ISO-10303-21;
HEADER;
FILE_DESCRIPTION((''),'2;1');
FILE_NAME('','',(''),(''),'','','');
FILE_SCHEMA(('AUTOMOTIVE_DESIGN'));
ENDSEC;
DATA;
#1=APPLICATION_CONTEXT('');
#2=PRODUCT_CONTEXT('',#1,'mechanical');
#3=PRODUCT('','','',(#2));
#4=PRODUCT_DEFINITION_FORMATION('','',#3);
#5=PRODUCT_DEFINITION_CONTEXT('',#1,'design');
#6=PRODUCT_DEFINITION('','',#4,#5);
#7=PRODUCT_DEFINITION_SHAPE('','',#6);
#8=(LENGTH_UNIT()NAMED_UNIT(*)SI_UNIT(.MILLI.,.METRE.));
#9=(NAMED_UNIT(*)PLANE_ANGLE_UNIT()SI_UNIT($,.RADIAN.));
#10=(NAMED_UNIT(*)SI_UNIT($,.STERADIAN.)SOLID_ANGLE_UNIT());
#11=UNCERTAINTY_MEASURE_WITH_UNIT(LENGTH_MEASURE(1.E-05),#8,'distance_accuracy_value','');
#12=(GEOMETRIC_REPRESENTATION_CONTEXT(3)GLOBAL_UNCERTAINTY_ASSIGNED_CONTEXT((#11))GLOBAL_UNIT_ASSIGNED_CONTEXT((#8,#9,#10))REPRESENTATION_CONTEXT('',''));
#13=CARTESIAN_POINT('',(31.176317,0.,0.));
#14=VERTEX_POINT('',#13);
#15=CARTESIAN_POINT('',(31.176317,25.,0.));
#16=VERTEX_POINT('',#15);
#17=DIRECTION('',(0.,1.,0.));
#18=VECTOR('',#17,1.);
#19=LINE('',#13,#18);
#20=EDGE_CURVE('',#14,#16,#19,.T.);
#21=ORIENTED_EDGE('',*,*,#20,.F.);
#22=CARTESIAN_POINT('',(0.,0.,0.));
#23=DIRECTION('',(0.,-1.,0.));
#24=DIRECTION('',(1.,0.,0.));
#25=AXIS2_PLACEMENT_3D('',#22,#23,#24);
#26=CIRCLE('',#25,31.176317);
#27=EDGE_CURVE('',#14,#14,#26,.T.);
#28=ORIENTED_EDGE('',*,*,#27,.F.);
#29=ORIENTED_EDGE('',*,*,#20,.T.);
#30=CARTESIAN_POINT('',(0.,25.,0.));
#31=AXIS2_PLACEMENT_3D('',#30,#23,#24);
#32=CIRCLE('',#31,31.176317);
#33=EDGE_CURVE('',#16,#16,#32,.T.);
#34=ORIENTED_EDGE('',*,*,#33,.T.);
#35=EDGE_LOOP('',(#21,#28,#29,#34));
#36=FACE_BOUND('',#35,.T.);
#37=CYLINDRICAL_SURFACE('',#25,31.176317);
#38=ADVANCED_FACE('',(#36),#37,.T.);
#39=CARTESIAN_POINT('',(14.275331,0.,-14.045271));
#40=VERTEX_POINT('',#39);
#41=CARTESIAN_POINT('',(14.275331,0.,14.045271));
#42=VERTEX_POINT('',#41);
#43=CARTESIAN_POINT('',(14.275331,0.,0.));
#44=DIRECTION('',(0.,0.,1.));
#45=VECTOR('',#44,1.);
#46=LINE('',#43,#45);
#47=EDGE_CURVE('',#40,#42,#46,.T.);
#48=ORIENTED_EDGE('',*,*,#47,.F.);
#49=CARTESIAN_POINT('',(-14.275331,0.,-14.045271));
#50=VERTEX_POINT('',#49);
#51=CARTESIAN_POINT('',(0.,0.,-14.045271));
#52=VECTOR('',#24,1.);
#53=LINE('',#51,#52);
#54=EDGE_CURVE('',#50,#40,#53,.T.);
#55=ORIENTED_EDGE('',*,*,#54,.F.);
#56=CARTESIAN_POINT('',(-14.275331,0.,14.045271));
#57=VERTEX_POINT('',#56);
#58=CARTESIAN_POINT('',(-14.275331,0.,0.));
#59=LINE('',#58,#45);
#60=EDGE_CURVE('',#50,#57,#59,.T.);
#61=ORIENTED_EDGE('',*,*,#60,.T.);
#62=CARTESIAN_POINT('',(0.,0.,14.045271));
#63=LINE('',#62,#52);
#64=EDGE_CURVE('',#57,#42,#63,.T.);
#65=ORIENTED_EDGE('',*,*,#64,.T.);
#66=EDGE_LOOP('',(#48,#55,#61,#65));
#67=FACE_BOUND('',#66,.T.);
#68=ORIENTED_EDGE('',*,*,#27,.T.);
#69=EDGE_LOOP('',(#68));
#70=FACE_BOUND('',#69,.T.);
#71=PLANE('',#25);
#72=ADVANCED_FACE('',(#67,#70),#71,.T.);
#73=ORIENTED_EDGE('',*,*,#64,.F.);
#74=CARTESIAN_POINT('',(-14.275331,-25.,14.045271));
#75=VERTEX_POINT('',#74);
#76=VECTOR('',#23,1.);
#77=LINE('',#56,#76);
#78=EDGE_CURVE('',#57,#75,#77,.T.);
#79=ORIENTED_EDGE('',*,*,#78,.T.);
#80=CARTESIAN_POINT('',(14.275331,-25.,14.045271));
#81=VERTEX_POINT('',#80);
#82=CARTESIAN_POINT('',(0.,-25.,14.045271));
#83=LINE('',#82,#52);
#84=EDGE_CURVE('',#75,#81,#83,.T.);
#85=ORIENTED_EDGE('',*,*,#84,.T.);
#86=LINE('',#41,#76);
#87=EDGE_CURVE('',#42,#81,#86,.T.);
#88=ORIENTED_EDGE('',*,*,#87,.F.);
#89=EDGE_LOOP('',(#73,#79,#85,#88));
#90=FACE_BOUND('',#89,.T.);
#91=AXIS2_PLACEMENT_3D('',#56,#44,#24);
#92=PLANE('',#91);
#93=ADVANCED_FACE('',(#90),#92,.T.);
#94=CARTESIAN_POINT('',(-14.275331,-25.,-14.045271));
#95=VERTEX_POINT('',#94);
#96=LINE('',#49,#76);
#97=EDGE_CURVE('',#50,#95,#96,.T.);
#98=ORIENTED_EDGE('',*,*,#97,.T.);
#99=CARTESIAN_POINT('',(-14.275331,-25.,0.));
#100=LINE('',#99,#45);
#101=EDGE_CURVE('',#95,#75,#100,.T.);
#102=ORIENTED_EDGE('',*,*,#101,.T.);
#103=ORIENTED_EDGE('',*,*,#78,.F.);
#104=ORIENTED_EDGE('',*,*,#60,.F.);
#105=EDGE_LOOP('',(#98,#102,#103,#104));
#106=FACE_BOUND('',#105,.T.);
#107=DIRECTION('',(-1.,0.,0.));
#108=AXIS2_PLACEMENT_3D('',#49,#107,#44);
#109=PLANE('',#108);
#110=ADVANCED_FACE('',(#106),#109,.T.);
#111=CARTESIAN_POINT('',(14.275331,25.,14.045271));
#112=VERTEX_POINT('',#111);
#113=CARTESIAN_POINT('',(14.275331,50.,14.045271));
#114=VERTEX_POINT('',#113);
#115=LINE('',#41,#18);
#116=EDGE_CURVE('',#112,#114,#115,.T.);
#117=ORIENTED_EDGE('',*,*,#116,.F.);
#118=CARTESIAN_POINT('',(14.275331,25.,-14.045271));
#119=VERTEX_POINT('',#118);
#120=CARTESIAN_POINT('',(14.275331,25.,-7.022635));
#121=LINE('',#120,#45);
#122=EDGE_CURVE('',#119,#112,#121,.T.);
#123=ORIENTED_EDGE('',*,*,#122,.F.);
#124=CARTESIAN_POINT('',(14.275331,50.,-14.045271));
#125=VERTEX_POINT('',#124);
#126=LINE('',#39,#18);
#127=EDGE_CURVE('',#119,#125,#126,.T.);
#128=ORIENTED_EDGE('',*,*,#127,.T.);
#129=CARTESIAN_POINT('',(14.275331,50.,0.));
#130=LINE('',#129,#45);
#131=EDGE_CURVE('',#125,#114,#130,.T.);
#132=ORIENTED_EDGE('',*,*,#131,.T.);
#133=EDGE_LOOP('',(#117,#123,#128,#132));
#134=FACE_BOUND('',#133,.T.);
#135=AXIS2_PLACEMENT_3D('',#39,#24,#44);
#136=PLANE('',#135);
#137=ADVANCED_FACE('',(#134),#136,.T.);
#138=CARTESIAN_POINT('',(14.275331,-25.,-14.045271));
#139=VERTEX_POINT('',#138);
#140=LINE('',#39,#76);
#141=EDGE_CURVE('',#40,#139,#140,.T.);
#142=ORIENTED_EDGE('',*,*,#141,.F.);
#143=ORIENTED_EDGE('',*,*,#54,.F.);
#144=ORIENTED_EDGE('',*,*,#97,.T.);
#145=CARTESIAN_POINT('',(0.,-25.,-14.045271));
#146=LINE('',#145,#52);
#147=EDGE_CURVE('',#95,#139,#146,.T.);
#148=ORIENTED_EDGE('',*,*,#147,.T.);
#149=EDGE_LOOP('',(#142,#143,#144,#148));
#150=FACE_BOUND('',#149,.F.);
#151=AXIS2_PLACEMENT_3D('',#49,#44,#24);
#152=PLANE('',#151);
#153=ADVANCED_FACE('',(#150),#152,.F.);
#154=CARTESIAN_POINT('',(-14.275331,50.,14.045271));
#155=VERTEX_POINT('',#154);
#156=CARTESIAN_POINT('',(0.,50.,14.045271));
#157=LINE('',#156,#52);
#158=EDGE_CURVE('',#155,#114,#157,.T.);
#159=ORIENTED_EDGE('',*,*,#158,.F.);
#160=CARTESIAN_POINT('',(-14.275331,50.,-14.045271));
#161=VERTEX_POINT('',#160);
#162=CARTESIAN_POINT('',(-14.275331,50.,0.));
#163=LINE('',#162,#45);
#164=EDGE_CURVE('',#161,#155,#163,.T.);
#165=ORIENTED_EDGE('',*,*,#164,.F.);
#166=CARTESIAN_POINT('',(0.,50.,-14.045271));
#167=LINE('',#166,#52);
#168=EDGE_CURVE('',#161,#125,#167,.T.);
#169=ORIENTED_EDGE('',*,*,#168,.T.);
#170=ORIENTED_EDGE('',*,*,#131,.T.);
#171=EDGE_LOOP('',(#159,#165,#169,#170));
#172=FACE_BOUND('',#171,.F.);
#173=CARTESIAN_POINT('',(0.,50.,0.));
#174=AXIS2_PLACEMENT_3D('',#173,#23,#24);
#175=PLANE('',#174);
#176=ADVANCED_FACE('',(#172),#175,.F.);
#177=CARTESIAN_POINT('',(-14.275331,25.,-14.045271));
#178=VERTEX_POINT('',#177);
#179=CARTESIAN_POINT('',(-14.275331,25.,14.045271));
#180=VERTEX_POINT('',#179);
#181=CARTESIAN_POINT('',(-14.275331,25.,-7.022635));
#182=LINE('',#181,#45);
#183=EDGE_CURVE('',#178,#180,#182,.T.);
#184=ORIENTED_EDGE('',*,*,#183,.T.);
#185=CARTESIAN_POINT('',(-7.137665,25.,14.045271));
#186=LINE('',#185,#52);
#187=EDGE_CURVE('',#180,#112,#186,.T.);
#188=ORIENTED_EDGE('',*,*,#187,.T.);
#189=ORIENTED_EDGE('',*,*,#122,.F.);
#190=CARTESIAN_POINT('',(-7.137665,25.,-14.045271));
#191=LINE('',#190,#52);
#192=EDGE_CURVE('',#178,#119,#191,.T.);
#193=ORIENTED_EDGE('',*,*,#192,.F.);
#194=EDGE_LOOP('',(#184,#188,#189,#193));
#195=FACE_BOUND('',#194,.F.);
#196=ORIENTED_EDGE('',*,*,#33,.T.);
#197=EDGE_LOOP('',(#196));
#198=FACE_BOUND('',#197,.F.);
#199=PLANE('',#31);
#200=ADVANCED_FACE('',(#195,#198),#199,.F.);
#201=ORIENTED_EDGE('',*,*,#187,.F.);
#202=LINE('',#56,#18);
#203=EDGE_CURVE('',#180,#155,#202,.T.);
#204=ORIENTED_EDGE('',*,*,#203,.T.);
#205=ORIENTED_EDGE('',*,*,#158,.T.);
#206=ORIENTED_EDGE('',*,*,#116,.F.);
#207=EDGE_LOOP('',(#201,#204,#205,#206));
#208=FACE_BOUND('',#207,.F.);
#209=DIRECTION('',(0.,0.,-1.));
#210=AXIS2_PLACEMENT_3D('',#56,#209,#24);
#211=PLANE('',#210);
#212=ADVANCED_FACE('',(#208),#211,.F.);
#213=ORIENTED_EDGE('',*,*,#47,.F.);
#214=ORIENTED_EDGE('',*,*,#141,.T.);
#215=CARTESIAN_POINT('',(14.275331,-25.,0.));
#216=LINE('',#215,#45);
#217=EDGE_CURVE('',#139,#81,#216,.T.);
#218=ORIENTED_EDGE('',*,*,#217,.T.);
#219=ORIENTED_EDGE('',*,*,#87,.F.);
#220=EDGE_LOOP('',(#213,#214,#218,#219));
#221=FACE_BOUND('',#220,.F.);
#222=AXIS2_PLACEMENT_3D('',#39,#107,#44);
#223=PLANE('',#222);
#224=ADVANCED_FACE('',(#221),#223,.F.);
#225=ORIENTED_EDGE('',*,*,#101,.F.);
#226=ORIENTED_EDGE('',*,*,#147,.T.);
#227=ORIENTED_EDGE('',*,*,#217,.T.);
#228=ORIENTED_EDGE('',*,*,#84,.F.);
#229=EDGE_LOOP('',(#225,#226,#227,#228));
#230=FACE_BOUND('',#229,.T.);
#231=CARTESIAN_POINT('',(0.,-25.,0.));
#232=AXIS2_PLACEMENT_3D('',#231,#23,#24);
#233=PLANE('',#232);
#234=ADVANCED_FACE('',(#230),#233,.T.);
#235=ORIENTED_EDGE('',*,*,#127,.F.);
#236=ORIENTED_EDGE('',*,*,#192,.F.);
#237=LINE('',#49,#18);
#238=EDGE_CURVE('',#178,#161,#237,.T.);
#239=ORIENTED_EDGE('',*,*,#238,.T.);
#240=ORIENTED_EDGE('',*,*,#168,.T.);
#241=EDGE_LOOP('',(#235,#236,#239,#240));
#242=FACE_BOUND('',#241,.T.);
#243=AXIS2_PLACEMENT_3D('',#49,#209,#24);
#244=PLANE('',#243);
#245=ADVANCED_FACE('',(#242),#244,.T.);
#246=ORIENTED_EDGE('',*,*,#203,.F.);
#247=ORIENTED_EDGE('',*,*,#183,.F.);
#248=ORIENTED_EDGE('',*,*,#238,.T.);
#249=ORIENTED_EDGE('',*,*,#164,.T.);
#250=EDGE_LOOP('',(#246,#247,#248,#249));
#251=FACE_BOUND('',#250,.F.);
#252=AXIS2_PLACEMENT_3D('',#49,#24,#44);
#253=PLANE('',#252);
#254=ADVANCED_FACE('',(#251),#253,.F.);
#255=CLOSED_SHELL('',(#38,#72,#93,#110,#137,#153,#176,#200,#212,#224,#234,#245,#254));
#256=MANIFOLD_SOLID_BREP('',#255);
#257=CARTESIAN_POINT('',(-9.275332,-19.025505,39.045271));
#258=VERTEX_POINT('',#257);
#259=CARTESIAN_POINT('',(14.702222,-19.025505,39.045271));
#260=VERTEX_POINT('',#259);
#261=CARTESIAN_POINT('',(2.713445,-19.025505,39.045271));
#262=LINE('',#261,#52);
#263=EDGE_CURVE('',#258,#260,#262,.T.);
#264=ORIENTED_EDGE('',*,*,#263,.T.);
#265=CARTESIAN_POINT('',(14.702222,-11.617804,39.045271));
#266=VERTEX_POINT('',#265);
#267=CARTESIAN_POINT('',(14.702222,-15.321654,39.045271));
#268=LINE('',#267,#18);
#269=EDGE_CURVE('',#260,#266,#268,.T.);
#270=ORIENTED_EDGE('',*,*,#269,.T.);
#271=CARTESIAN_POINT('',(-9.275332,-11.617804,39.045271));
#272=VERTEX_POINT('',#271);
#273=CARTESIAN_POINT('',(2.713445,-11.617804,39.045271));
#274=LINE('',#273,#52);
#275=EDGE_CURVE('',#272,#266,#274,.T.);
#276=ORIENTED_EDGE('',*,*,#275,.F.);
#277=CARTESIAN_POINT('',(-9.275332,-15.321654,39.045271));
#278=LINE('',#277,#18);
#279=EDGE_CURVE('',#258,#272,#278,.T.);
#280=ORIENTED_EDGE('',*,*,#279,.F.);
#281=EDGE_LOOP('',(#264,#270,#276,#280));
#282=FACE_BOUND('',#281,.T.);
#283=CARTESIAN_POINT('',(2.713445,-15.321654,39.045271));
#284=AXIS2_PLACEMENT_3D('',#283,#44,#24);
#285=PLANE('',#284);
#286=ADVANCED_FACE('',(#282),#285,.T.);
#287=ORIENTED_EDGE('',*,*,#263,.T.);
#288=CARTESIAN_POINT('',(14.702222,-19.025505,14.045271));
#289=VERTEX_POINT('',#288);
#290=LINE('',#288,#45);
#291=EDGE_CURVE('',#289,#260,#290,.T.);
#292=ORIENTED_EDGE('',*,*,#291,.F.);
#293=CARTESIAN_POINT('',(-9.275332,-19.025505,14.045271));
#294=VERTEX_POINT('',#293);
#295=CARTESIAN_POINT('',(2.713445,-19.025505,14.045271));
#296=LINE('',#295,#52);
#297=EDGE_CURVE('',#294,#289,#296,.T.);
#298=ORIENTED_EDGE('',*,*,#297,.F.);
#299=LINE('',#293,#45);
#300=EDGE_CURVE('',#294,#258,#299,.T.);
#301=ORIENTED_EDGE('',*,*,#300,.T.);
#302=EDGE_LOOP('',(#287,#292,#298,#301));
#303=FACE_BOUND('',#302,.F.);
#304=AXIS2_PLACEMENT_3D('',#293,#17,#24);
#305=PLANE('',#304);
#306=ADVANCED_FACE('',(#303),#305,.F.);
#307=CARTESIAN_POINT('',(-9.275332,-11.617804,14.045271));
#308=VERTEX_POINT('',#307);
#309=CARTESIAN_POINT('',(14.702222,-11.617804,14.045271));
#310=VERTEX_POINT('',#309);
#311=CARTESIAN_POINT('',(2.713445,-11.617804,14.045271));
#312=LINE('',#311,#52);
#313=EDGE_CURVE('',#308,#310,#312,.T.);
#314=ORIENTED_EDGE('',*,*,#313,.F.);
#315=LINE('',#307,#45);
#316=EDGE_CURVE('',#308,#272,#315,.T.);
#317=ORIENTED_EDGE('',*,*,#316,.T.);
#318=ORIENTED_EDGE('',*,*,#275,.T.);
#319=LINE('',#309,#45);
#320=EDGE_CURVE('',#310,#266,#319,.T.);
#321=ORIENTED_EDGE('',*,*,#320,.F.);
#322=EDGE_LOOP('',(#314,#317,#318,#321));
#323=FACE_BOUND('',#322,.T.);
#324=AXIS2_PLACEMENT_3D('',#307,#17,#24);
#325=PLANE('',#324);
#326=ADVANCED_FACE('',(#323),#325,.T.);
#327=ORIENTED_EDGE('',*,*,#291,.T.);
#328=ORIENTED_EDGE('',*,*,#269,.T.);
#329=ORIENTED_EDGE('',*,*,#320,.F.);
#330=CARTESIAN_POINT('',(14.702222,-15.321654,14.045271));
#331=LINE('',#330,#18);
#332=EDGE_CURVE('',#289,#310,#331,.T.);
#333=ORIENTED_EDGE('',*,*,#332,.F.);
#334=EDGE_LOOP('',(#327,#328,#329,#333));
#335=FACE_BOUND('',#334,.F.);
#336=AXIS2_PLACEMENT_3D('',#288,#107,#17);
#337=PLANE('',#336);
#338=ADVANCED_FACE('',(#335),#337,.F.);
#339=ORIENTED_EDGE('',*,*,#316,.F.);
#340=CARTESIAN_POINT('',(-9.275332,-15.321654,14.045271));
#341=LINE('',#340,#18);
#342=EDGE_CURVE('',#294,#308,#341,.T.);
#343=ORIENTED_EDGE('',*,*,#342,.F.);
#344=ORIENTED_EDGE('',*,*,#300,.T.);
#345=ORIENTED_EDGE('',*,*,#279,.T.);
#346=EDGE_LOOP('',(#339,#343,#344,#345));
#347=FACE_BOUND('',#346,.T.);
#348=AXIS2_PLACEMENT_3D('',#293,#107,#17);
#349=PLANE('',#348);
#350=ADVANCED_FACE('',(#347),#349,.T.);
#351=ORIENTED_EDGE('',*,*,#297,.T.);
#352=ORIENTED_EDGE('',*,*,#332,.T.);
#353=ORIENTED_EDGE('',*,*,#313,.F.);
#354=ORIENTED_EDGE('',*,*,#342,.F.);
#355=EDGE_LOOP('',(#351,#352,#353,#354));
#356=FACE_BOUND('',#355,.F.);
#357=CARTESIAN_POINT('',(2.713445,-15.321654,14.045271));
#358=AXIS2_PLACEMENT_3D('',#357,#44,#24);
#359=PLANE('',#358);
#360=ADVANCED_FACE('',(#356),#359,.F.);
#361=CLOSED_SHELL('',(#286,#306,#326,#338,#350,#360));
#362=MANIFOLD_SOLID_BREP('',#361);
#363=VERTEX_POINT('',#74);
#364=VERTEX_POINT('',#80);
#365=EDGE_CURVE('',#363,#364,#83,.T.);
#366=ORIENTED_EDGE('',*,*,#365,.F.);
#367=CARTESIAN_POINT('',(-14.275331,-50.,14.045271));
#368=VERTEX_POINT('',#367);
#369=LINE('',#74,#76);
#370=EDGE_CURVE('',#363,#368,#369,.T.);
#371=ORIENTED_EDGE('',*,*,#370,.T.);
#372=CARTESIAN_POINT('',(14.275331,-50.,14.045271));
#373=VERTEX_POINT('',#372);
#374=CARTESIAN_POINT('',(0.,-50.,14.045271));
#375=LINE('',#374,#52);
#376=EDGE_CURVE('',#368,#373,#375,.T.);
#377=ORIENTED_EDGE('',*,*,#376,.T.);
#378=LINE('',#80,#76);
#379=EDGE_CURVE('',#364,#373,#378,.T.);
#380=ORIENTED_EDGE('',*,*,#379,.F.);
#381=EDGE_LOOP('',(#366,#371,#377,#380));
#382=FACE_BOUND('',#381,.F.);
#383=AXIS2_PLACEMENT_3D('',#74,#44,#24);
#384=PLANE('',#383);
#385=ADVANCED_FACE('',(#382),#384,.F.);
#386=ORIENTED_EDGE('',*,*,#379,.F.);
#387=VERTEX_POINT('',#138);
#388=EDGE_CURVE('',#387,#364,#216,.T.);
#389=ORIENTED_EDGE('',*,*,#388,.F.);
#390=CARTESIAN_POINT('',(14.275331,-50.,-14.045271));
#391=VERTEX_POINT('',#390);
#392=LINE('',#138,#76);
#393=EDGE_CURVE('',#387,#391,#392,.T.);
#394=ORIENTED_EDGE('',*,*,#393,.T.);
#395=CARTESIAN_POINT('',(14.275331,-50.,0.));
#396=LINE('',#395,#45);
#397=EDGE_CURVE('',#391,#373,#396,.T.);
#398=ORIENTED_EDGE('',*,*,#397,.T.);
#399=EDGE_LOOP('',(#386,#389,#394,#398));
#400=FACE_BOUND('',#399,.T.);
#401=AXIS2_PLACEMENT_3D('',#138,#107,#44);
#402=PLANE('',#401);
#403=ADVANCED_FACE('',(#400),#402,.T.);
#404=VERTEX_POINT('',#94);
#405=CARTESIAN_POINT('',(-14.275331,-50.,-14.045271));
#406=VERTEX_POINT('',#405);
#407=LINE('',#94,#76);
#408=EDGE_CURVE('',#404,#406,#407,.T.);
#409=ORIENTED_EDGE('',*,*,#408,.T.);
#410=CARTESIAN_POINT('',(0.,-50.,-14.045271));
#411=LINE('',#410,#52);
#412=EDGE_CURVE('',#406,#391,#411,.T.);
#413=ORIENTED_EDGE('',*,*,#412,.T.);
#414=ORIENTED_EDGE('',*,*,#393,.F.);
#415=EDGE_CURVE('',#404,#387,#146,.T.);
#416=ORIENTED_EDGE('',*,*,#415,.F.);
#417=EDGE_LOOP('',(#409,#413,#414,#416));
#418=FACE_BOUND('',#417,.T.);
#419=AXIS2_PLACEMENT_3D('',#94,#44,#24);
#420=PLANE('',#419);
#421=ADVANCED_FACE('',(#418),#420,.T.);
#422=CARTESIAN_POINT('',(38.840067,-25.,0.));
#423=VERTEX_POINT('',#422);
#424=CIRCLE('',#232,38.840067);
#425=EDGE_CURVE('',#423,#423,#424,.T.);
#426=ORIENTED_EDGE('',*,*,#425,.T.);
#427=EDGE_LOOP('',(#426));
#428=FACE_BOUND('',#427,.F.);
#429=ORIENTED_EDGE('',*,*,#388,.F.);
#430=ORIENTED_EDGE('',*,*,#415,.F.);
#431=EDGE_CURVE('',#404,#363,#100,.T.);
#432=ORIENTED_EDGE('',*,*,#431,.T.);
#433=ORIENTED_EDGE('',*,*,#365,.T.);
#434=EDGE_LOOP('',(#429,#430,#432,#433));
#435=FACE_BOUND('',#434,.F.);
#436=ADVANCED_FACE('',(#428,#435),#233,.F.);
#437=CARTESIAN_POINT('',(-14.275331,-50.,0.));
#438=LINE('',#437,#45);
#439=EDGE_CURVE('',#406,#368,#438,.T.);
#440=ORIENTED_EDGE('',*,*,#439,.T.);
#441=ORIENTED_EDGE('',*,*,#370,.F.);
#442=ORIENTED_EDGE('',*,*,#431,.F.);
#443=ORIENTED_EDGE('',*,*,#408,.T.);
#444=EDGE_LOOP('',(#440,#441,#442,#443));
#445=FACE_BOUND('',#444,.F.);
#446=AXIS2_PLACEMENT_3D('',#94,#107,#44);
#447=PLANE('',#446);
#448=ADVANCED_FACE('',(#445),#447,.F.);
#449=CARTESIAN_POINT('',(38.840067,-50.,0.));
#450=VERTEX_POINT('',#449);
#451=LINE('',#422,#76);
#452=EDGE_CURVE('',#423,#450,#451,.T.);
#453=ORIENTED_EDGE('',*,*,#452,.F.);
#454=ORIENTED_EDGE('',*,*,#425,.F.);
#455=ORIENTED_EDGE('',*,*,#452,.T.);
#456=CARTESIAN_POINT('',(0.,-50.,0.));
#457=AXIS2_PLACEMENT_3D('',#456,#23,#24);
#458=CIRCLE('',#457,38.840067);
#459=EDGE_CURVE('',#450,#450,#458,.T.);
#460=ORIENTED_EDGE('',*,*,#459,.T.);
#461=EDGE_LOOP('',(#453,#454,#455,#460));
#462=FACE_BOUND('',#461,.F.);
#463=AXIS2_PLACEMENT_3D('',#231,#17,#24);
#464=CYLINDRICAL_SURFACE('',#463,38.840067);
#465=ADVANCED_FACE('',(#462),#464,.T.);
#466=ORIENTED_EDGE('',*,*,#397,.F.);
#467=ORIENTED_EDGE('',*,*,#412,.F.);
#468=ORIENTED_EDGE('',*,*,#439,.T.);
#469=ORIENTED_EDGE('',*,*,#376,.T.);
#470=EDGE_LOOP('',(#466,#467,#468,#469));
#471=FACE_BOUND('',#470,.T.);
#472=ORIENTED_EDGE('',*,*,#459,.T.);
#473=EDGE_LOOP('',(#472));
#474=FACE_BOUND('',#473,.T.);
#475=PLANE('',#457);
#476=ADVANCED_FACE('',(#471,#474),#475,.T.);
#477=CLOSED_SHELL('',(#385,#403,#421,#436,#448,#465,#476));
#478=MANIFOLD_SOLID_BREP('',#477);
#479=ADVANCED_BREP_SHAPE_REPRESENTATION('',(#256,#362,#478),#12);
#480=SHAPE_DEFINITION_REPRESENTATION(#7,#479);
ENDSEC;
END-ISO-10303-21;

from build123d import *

# Parameters (mm, degrees)
F0_R          = 31.176317
F1_DEPTH      = 25
F2_W          = 28.550662
F2_H          = 28.090542
F3_DEPTH      = 25
F3_DEPTH_BACK = 50
F4_W          = 23.977553
F4_H          = 7.407701
F5_DEPTH      = 25
F6_R          = 38.840067
F6_W          = 28.550662
F6_H          = 28.090542
F7_DEPTH      = 25


with BuildPart() as f1:
    # F0 (on Front) → F1 (new body)
    with BuildSketch(Plane.XZ):
        Circle(F0_R)
    extrude(amount=-F1_DEPTH)

    # F2 (on face) → F3 (join, two sides)
    with BuildSketch(Plane.XZ) as f3_sk:
        Rectangle(F2_W, F2_H)
    extrude(amount=F3_DEPTH)
    extrude(f3_sk.sketch, amount=-F3_DEPTH_BACK)


with BuildPart() as f5:
    # F4 (on face) → F5 (new body)
    with BuildSketch(Plane.XY.offset(14.045271)):
        with Locations((2.713445, -15.321654)):
            Rectangle(F4_W, F4_H)
    extrude(amount=F5_DEPTH)


with BuildPart() as f7:
    # F6 (on face) → F7 (new body)
    with BuildSketch(Plane.XZ.offset(25)):
        Circle(F6_R)
        Rectangle(F6_W, F6_H, mode=Mode.SUBTRACT)
    extrude(amount=F7_DEPTH)


solid = Compound([f1.part, f5.part, f7.part])
